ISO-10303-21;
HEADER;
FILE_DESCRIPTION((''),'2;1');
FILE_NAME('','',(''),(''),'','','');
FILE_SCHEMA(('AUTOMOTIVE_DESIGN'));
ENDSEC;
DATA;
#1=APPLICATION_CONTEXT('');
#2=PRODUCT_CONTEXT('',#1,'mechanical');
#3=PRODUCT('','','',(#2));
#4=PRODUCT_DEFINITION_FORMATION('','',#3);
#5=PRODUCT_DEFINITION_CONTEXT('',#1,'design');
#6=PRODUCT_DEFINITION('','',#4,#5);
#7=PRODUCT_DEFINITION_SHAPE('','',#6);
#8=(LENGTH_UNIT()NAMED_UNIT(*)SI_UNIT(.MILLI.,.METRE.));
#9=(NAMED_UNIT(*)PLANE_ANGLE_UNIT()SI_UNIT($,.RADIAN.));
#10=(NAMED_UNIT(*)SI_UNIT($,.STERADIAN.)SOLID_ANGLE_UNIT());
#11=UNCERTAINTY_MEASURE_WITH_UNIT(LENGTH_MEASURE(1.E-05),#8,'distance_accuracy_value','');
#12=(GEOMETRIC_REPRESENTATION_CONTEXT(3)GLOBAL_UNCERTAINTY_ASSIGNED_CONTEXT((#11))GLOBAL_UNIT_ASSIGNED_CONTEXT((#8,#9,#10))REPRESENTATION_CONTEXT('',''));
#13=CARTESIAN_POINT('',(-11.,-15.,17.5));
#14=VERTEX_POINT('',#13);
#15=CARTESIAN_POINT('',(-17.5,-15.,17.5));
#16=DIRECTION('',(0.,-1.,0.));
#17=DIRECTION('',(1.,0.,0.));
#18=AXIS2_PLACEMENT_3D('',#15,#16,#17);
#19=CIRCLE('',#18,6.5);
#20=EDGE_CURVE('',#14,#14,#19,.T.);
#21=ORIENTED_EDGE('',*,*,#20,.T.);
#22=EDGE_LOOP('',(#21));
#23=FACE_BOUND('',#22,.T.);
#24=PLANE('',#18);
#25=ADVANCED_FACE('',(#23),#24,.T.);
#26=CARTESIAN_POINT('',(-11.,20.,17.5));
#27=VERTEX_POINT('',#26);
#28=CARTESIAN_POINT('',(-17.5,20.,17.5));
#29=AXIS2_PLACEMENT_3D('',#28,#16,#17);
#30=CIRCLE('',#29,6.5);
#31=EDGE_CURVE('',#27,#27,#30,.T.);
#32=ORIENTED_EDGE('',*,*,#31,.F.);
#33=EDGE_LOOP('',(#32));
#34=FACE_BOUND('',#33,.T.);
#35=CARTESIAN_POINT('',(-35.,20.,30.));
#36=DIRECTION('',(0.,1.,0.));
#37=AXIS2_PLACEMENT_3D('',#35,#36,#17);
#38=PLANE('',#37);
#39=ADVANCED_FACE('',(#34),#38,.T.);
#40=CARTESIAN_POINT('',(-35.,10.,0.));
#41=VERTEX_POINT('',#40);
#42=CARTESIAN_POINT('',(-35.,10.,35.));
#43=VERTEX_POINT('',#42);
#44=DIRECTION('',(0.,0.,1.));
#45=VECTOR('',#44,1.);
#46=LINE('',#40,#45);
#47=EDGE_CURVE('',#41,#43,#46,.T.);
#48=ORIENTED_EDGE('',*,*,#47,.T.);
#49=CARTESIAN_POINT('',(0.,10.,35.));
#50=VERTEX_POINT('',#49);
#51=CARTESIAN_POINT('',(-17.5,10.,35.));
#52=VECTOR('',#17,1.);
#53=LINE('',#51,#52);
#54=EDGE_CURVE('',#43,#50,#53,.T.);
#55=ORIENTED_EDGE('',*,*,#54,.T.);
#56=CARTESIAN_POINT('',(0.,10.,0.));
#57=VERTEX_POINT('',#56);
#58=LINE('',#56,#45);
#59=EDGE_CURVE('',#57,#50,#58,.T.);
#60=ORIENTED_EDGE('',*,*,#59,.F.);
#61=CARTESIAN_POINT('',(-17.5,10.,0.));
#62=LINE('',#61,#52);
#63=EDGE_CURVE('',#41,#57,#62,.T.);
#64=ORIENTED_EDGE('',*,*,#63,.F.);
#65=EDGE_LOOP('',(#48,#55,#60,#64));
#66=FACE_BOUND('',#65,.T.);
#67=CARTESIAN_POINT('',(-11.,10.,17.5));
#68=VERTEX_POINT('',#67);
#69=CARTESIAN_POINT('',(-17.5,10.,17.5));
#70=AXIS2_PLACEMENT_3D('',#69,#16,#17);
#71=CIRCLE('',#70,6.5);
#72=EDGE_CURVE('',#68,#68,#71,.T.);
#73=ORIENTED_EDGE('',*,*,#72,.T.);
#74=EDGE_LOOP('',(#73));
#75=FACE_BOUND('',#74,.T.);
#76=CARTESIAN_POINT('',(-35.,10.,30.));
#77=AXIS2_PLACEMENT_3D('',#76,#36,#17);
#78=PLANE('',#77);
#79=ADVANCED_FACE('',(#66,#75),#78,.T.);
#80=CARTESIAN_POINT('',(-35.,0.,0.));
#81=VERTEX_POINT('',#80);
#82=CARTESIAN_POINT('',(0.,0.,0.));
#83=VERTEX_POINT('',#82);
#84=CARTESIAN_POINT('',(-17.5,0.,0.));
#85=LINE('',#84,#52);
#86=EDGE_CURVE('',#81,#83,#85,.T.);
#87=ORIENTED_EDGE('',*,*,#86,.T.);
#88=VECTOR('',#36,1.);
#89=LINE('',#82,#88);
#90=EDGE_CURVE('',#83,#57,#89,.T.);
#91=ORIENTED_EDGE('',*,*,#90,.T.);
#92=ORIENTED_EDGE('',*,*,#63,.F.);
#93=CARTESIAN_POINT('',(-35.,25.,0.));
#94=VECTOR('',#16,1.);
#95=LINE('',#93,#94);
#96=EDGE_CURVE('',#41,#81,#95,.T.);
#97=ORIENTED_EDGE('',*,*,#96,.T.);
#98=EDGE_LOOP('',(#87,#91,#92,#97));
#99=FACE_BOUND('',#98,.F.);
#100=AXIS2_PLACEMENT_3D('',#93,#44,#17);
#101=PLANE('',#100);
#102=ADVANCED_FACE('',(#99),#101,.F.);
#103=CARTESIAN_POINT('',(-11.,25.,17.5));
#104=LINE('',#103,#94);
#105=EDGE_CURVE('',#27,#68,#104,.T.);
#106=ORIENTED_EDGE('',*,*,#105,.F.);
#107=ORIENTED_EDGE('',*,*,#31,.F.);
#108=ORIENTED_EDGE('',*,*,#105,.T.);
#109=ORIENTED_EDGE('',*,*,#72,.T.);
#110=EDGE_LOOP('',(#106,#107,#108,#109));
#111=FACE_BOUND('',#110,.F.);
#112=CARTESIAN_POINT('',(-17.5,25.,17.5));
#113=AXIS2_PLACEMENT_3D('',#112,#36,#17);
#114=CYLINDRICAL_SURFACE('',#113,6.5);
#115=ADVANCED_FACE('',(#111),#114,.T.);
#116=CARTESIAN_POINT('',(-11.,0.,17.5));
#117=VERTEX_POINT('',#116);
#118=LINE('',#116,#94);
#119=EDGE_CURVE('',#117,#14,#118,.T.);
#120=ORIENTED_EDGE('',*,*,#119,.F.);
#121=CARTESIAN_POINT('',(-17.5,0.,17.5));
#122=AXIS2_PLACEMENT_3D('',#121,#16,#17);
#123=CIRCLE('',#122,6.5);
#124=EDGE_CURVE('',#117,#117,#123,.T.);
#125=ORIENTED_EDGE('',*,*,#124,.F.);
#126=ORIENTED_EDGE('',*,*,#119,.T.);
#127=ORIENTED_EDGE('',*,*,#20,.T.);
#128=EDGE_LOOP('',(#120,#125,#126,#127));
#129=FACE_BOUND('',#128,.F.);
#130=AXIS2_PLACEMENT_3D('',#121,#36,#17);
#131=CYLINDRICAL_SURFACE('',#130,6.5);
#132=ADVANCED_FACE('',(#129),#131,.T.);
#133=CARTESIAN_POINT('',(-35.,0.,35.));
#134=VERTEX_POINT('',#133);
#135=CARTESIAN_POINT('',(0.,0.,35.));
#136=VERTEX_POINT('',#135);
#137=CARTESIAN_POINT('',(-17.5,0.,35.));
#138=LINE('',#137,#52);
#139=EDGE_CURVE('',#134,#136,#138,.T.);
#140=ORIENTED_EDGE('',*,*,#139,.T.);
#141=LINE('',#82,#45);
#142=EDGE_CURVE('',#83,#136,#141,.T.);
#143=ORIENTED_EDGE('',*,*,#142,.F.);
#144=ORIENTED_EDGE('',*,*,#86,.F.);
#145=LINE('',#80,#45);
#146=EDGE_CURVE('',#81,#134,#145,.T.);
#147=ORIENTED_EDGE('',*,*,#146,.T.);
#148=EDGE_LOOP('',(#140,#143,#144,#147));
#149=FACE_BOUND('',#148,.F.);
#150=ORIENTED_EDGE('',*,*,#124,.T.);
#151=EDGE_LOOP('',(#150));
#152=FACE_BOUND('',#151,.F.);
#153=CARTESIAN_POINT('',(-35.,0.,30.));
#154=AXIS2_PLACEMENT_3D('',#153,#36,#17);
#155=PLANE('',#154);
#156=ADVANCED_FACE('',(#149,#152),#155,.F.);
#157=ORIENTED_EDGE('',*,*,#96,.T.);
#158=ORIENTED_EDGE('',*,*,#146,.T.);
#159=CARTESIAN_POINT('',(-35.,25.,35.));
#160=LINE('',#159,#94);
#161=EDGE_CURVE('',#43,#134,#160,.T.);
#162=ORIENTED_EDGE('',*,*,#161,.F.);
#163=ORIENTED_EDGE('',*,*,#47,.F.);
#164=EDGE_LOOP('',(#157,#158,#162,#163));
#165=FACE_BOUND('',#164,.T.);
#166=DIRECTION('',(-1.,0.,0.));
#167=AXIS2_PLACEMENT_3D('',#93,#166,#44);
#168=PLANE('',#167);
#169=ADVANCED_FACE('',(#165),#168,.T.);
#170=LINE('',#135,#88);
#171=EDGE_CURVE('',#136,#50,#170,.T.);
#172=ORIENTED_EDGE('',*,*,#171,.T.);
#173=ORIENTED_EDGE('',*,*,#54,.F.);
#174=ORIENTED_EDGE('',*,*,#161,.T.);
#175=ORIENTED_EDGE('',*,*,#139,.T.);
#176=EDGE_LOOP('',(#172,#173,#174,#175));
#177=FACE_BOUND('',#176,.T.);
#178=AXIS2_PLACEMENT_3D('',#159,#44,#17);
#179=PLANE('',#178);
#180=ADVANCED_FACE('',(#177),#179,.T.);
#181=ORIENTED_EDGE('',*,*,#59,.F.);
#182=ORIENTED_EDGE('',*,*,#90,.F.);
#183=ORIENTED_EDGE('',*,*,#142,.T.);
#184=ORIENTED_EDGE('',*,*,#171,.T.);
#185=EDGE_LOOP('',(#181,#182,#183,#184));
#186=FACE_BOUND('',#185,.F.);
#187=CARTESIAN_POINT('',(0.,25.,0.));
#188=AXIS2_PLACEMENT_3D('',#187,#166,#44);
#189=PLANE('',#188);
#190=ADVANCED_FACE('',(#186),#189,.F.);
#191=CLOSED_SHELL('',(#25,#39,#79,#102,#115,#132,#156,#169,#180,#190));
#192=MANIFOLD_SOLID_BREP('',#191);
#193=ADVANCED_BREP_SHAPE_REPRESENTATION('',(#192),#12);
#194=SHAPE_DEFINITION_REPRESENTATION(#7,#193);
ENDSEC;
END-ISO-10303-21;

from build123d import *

# Parameters (mm, degrees)
F1_W     = 35
F1_H     = 20
F2_DEPTH = 30
F3_DEPTH = 5
F0_R     = 6.5
F6_DEPTH = 15
F7_DEPTH = 25
F8_DEPTH = 15
F9_DEPTH = 15


with BuildPart() as f2:
    # F1 (on Top) → F2 (new body)
    with BuildSketch(Plane.XY):
        with Locations((-17.5, 10)):
            Rectangle(F1_W, F1_H)
    extrude(amount=F2_DEPTH)

    # F3 (add): a face of the model
    f3_faces = [f2.faces().sort_by_distance(p)[0] for p in [
        (-17.5, 10, 30),
    ]]
    extrude(f3_faces, amount=F3_DEPTH)

    # F0 (on Front) → F6 (join)
    with BuildSketch(Plane.XZ):
        with Locations((-17.5, 17.5)):
            Circle(F0_R)
    extrude(amount=F6_DEPTH)

    # F7 (add): a face of the model
    f7_faces = [f2.faces().sort_by_distance(p)[0] for p in [
        (-34.5050252532, 0, 17.5),
    ]]
    extrude(f7_faces, amount=-F7_DEPTH)

    # F8 (add): a face of the model
    f8_faces = [f2.faces().sort_by_distance(p)[0] for p in [
        (-34.5050252532, 25, 17.5),
    ]]
    extrude(f8_faces, amount=-F8_DEPTH)

    # F9 (cut): a face of the model
    f9_faces = [f2.faces().sort_by_distance(p)[0] for p in [
        (-34.5050252532, 25, 17.5),
    ]]
    extrude(f9_faces, amount=-F9_DEPTH, mode=Mode.SUBTRACT)


solid = f2.part
